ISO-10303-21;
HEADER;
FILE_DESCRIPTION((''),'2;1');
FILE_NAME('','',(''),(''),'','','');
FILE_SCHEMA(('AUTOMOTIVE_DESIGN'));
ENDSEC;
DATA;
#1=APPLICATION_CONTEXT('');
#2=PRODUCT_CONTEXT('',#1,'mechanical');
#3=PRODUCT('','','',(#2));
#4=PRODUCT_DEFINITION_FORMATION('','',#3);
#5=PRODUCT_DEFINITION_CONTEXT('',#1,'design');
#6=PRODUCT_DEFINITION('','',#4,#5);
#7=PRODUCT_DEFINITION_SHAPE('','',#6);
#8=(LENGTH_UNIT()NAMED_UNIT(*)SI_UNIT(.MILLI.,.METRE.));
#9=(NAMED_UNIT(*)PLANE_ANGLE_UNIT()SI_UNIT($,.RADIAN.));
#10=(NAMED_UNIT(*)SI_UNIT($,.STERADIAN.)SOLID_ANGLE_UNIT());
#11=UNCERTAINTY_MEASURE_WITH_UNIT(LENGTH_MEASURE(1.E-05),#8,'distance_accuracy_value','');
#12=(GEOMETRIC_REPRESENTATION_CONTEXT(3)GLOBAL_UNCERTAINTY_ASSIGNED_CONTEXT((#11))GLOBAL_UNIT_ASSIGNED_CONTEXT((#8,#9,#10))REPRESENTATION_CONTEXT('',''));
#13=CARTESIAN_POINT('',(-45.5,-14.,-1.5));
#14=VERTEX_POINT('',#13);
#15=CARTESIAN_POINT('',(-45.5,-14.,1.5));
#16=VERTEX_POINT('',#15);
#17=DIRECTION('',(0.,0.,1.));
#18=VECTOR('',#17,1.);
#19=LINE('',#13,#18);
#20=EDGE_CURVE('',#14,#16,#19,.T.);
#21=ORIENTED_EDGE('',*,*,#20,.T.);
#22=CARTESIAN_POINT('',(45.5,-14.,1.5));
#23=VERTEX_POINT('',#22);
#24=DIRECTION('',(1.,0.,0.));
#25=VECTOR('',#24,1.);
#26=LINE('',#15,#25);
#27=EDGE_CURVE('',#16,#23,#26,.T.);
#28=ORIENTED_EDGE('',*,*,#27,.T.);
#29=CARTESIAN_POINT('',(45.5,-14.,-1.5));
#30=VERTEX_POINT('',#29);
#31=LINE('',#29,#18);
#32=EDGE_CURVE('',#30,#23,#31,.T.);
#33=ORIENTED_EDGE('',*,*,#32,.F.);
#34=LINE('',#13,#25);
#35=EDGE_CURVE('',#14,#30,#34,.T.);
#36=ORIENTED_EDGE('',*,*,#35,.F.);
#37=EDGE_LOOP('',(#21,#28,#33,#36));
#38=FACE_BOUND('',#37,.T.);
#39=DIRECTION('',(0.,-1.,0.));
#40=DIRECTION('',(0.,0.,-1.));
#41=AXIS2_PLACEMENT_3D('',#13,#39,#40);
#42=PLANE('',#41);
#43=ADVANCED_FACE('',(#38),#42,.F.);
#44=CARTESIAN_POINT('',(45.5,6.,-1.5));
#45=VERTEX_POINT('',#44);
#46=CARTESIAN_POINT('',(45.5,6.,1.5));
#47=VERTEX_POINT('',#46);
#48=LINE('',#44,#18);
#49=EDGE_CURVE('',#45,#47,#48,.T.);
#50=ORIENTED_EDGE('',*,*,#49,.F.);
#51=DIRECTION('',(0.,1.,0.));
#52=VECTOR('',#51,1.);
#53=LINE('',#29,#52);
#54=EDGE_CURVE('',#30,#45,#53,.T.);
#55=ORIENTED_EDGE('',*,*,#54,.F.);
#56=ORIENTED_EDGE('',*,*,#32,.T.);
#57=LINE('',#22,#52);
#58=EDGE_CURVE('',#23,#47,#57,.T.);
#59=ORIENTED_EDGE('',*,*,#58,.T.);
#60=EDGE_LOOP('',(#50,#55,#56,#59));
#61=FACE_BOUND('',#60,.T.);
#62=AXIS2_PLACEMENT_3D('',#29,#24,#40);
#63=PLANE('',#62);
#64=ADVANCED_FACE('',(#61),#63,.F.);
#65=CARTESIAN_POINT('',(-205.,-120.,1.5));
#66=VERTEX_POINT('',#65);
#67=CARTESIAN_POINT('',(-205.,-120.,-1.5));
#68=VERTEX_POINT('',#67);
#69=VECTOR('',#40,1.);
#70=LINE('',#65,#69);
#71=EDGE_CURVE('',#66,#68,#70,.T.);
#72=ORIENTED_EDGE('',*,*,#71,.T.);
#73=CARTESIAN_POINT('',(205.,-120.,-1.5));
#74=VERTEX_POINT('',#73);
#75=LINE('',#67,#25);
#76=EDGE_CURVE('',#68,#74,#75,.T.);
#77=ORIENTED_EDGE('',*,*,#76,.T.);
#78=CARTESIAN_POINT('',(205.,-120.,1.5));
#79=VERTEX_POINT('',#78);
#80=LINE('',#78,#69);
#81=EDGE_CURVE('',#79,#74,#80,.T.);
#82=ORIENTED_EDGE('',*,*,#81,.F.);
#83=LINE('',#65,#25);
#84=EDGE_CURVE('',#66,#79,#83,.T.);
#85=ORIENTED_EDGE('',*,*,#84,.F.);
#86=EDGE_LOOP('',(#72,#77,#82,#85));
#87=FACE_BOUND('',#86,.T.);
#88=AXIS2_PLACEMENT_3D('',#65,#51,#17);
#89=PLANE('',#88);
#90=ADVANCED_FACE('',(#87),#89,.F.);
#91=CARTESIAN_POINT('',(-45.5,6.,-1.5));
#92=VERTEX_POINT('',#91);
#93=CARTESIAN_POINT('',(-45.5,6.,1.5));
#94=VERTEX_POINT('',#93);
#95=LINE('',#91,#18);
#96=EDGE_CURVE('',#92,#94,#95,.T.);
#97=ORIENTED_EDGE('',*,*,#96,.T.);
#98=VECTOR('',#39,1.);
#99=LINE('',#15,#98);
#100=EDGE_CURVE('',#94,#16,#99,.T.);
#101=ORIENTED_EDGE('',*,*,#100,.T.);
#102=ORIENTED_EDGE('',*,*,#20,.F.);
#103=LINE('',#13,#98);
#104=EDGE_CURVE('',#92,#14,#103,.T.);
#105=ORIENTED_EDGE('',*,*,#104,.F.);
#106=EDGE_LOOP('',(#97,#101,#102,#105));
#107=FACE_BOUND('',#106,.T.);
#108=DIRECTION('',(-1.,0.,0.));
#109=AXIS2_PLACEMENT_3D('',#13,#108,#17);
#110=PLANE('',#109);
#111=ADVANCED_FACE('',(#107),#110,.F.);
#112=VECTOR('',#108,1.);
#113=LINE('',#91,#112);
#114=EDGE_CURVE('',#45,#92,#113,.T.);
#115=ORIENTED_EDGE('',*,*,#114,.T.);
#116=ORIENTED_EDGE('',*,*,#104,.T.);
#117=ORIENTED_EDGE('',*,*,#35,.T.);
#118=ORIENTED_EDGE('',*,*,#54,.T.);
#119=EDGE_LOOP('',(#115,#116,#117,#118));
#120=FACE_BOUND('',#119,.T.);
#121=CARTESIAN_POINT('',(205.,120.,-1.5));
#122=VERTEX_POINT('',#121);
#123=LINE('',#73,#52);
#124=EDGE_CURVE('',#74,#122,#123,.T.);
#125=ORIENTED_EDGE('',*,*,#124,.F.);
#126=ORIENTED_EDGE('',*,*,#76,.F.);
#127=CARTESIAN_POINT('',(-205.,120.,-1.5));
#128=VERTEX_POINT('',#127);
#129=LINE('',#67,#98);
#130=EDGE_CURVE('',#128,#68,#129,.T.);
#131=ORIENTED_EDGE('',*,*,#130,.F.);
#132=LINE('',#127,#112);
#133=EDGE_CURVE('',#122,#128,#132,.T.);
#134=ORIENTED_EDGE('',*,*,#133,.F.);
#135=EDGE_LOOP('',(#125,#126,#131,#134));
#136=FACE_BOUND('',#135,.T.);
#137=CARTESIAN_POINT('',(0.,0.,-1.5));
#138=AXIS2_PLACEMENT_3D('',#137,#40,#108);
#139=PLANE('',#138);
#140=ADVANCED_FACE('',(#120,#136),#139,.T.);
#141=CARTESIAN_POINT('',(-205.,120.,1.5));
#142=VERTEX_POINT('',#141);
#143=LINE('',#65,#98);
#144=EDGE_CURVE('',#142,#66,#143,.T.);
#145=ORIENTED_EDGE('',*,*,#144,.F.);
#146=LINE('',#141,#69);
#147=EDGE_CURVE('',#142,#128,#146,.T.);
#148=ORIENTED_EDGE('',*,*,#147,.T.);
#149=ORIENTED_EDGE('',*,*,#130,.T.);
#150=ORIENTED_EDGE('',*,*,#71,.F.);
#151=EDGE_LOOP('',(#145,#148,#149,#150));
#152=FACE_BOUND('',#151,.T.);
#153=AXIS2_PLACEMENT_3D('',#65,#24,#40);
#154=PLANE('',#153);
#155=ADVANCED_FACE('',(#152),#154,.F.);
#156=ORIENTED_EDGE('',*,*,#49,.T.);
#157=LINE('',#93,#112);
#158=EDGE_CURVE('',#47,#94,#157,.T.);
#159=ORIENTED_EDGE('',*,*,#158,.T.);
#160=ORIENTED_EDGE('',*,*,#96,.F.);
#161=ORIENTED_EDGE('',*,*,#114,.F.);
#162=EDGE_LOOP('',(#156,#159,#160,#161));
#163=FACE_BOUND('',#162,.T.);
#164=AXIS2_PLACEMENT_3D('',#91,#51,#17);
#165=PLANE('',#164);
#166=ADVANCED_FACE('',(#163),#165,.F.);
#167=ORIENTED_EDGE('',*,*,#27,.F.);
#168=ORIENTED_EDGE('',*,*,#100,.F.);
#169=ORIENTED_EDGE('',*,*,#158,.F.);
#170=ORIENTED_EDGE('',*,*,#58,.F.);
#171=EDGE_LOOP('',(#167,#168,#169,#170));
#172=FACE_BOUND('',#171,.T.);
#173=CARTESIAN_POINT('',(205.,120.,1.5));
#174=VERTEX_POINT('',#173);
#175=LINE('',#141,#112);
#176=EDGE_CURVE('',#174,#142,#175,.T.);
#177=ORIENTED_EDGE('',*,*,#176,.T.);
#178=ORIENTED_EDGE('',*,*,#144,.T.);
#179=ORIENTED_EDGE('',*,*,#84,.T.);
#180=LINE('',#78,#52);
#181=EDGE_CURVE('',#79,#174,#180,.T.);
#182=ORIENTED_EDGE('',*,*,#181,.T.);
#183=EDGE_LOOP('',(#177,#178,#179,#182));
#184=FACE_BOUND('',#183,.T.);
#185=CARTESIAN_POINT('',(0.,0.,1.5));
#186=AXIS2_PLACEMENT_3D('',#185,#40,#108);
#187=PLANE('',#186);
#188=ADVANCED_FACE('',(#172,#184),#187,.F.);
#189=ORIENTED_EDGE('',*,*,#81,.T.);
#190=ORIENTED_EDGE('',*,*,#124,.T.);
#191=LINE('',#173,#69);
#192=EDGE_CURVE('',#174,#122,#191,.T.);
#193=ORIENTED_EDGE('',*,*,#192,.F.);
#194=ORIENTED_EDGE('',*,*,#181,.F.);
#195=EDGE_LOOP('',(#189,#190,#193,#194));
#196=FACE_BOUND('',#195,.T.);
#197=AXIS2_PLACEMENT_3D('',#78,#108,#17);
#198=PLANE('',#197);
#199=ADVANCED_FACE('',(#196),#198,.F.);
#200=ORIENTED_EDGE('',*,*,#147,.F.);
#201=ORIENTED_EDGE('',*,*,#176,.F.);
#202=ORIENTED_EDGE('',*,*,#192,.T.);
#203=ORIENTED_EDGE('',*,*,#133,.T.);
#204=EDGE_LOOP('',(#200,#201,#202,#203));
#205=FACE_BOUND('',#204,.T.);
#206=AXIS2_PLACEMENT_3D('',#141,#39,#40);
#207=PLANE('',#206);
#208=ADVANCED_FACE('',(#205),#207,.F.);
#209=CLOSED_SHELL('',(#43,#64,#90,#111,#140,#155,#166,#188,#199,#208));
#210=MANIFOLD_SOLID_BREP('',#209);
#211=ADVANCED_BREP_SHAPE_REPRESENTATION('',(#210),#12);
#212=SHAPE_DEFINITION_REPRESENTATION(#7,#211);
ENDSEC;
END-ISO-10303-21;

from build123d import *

# Parameters (mm, degrees)
SKETCH1_W           = 410
SKETCH1_H           = 240
BOSS_EXTRUDE1_DEPTH = 1.5
SKETCH2_W           = 91
SKETCH2_H           = 20
CUT_EXTRUDE1_DEPTH  = 4


with BuildPart() as part:
    # Sketch1 → Boss-Extrude1 (new body, symmetric)
    with BuildSketch(Plane.XY):
        Rectangle(SKETCH1_W, SKETCH1_H)
    extrude(amount=BOSS_EXTRUDE1_DEPTH, both=True)

    # Sketch2 → Cut-Extrude1 (cut, through all)
    with BuildSketch(Plane.XY.offset(1.5)):
        with Locations((0, -4)):
            Rectangle(SKETCH2_W, SKETCH2_H)
    extrude(amount=-CUT_EXTRUDE1_DEPTH, mode=Mode.SUBTRACT)


solid = part.part
